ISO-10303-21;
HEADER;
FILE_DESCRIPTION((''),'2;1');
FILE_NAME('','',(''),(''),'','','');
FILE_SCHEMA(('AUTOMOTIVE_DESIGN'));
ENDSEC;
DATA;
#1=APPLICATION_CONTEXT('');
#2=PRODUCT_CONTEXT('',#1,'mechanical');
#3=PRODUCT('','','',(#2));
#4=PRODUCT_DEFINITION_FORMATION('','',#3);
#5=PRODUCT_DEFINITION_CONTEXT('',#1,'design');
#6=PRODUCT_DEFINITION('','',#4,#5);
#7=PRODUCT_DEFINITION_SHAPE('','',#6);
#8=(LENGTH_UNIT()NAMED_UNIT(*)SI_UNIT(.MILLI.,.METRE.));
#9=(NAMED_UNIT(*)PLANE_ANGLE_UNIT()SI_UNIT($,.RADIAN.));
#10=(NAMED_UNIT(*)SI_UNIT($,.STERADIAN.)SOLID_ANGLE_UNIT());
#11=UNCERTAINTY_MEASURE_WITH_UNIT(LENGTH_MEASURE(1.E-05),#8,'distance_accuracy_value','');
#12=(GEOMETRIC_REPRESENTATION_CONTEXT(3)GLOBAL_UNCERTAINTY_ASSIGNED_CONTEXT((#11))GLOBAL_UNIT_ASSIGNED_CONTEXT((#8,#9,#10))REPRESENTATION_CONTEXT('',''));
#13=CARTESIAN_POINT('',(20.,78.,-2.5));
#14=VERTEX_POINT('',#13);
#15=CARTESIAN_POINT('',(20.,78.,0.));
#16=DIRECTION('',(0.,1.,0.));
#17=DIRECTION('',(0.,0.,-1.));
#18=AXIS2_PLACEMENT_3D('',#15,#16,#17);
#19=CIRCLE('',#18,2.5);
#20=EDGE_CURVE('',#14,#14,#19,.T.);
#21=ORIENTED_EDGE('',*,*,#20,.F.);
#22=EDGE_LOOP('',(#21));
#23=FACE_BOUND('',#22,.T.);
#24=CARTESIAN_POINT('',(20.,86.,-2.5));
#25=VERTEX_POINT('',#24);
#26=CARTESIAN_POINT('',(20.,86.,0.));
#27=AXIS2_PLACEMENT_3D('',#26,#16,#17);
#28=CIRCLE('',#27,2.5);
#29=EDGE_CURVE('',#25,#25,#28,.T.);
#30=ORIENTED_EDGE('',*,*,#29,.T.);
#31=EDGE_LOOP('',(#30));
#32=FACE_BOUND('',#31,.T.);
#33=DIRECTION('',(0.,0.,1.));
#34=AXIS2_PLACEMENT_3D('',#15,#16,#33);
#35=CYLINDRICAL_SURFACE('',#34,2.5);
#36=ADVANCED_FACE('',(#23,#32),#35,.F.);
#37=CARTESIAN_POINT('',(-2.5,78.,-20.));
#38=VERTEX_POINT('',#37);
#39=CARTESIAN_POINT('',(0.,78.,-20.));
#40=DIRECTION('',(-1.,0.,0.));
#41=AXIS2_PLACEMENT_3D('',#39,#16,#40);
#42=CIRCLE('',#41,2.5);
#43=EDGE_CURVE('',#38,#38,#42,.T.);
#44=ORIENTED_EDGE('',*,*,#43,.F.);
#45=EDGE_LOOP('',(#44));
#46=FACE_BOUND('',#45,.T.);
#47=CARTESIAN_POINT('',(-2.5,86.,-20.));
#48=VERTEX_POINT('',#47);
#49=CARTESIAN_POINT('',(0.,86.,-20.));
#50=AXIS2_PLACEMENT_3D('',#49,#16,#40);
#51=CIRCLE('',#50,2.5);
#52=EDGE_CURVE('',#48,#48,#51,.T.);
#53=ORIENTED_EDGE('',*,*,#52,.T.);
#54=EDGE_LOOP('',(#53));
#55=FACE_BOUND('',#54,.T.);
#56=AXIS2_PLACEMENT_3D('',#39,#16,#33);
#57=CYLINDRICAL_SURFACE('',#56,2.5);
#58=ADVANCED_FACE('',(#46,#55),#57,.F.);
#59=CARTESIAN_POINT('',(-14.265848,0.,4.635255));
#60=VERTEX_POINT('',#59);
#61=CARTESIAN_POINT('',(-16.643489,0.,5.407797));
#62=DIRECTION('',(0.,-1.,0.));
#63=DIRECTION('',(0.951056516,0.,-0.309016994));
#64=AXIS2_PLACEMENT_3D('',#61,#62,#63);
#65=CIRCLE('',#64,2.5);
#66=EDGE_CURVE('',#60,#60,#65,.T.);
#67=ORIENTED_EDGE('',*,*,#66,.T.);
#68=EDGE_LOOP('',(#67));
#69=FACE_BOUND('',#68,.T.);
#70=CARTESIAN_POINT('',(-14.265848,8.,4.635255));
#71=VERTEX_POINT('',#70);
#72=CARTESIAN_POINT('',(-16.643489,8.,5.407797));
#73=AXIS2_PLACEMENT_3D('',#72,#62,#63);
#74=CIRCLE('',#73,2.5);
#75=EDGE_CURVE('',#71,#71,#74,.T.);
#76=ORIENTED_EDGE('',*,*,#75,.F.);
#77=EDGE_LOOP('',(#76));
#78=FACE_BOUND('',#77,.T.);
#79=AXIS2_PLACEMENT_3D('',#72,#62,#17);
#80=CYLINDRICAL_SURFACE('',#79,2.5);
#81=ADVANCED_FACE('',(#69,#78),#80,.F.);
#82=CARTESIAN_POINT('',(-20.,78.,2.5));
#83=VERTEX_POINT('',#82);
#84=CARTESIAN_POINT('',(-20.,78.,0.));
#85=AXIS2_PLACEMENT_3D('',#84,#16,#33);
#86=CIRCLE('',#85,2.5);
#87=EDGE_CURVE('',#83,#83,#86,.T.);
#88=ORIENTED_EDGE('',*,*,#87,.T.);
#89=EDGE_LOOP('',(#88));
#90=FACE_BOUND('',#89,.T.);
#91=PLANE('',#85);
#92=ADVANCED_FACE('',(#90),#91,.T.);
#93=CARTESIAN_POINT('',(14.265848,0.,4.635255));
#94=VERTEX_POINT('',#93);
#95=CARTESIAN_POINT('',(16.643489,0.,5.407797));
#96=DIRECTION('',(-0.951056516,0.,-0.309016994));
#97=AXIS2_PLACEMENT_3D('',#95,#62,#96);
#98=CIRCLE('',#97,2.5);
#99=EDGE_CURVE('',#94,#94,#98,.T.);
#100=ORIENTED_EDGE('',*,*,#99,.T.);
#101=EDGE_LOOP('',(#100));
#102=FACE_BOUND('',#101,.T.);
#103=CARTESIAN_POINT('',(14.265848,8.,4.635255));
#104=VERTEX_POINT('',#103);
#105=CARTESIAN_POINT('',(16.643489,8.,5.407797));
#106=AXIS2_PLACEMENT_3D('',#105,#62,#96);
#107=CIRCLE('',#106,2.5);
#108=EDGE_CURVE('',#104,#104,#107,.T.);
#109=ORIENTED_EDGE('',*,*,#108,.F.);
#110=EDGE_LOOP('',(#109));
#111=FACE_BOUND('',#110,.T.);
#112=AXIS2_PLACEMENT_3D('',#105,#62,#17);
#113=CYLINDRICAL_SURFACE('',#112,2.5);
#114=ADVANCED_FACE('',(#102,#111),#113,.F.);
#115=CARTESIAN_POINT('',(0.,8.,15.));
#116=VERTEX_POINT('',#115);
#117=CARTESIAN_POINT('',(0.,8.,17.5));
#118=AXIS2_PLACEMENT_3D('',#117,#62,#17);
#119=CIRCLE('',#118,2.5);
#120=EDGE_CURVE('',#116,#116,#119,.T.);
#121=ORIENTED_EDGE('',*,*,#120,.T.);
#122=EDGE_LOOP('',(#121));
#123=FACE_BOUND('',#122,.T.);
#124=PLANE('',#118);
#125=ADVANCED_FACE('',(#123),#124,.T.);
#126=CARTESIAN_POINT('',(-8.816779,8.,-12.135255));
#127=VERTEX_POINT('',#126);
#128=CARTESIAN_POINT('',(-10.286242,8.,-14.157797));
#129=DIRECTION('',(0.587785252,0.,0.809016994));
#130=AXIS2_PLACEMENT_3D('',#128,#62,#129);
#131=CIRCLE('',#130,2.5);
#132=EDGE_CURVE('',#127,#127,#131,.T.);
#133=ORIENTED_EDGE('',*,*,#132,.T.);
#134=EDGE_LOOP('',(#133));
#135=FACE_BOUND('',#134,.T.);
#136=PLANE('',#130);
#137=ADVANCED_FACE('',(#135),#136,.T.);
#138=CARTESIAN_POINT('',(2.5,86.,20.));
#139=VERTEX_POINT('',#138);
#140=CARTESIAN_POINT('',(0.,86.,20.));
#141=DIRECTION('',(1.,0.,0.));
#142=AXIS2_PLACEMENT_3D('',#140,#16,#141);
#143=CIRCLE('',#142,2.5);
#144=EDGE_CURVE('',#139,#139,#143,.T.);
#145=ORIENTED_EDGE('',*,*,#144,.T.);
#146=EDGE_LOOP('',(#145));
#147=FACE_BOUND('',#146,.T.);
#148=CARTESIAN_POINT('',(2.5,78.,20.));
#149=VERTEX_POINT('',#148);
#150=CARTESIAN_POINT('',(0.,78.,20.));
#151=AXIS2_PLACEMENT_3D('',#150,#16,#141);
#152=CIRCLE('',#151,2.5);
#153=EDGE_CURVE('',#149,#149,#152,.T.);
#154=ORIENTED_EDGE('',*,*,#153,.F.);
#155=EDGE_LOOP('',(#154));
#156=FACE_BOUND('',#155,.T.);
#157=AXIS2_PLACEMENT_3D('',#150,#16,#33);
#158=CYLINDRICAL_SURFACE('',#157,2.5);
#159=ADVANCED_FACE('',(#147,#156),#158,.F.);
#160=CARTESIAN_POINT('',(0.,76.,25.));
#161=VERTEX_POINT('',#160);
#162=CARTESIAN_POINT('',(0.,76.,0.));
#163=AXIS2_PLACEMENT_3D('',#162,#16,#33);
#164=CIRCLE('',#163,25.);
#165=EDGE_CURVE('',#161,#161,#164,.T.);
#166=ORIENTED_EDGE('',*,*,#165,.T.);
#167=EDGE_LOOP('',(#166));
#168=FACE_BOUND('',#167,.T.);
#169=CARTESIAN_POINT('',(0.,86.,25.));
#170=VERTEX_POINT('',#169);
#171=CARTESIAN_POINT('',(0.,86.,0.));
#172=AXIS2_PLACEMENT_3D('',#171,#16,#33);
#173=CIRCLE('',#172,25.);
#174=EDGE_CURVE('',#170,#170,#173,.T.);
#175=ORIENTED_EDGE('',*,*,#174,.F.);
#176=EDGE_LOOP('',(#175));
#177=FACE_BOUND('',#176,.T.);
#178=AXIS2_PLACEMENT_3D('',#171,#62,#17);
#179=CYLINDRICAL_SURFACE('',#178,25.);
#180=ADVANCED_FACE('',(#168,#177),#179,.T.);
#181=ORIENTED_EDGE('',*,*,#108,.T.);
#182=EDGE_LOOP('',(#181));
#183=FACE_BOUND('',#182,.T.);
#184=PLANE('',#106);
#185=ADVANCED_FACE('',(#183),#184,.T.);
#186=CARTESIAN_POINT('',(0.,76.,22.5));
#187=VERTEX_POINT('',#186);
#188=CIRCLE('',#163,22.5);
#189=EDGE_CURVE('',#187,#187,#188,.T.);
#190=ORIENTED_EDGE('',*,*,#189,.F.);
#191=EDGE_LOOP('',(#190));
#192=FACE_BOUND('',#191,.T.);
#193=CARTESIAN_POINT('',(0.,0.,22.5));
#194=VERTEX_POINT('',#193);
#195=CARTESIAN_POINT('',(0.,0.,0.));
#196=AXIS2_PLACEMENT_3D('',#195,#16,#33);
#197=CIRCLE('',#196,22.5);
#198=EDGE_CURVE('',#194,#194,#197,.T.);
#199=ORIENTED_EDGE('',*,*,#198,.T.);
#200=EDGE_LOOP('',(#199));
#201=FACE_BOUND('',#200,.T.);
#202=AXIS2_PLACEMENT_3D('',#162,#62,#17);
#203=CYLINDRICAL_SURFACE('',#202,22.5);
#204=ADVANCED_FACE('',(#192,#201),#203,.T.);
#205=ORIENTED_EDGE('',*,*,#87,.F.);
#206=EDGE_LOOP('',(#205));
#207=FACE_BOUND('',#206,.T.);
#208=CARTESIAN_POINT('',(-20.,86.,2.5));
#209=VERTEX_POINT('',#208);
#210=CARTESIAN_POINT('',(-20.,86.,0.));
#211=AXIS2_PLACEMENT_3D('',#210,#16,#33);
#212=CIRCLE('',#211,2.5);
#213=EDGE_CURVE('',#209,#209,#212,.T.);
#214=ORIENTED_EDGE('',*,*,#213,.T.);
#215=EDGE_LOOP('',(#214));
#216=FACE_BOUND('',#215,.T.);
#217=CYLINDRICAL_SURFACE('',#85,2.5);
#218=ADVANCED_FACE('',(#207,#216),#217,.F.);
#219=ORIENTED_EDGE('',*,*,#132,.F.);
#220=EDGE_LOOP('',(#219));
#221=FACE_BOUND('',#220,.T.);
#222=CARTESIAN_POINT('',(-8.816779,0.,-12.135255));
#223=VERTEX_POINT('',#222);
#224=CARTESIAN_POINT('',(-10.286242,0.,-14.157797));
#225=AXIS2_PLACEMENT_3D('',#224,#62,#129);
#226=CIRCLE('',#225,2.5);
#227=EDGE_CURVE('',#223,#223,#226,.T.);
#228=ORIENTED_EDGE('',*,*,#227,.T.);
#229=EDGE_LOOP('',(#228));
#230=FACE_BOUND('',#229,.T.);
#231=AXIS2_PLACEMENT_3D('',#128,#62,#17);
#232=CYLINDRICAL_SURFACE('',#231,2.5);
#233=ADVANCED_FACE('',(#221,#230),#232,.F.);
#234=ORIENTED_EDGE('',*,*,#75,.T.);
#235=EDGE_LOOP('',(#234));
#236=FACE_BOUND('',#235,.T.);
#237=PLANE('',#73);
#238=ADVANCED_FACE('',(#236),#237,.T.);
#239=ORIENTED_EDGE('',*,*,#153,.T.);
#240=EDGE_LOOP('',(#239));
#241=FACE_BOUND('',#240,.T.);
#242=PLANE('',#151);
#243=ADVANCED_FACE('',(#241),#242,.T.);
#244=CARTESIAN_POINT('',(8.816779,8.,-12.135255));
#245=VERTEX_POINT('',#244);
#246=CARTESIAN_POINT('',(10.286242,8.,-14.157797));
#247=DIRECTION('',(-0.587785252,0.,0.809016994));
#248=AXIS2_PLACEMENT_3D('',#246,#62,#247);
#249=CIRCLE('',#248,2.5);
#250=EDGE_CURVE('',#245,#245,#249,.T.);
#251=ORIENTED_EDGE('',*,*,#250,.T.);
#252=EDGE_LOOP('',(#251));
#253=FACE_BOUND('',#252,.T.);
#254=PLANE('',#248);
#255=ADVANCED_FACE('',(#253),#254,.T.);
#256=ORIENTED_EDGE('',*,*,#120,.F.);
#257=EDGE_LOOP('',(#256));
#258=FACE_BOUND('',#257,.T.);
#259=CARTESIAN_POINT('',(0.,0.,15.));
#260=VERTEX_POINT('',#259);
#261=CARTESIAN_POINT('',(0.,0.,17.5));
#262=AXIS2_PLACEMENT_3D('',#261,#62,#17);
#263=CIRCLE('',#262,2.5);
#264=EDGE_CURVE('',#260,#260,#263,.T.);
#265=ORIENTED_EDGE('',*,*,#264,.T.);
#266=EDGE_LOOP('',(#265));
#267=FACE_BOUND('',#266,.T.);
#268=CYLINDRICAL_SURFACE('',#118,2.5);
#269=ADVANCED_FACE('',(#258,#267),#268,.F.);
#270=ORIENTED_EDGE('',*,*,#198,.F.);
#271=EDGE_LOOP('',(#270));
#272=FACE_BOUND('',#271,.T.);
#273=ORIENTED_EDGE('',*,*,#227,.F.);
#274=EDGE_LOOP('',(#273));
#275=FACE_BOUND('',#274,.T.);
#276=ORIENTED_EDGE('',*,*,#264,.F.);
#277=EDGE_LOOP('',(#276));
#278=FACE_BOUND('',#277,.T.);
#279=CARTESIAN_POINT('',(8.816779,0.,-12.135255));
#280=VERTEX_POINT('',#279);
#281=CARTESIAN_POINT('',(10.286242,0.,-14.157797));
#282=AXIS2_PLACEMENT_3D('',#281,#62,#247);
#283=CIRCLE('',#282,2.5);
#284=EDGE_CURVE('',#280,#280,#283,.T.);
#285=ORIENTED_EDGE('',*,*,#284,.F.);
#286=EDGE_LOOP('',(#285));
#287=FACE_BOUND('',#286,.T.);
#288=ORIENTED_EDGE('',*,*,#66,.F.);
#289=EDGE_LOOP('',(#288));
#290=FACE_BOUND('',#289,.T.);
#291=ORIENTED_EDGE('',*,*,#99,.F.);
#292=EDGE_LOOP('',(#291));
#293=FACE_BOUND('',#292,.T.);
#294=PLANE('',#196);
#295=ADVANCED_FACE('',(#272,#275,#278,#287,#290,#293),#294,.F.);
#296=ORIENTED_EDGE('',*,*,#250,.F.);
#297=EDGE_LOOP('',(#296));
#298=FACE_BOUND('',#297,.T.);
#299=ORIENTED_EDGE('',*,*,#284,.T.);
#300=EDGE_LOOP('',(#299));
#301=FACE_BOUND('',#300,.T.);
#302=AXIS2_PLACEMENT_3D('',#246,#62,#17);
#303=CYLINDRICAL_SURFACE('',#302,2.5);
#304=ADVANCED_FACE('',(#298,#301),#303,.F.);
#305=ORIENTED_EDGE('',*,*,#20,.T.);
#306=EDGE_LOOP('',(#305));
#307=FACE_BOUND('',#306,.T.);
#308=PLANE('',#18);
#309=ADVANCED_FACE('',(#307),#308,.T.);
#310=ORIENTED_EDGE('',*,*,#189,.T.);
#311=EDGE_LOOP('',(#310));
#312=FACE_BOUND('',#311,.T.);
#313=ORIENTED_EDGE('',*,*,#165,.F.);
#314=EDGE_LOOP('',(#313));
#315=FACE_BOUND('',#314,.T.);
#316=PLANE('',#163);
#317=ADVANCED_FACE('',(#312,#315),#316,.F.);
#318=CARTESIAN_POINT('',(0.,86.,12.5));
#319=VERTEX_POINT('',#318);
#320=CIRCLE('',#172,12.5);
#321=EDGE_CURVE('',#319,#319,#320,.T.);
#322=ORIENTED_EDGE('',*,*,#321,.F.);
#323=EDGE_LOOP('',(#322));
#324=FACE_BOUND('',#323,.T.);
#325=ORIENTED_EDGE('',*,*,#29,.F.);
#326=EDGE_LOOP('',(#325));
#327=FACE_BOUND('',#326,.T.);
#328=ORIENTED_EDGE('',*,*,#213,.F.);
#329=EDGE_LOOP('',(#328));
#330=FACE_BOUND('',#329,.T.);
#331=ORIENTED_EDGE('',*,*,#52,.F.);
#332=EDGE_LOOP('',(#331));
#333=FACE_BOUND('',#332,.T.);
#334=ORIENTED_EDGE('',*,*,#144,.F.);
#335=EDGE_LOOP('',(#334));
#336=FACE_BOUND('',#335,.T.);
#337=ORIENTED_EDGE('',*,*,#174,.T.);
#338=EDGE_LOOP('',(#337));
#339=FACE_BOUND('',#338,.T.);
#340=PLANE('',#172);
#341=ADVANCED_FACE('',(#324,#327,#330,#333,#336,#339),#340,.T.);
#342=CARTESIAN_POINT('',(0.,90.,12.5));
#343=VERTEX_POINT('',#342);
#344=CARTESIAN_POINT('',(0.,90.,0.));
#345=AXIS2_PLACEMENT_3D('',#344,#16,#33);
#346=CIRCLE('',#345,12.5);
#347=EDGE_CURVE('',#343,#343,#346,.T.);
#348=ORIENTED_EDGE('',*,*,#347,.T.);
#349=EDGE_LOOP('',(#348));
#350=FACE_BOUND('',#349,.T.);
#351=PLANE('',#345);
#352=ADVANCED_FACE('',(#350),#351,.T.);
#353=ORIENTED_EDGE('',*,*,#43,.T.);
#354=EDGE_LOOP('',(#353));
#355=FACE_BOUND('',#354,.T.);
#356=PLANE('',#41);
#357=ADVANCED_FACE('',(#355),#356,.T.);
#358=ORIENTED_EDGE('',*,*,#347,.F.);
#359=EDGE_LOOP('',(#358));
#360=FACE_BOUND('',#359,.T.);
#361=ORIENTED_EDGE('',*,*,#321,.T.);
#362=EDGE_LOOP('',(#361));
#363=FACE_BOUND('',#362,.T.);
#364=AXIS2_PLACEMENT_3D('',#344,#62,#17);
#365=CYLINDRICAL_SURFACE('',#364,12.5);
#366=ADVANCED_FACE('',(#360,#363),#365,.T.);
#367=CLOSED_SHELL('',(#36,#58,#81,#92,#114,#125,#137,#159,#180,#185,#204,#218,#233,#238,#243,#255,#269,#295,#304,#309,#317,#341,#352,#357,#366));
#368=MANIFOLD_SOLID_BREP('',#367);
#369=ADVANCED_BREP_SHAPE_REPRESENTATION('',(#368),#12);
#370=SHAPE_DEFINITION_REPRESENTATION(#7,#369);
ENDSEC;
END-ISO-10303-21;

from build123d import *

# Parameters (mm, degrees)
SKETCH1_R           = 22.5
BOSS_EXTRUDE1_DEPTH = 76
SKETCH2_R           = 25
BOSS_EXTRUDE2_DEPTH = 10
SKETCH3_R           = 12.5
BOSS_EXTRUDE3_DEPTH = 4
SKETCH4_R           = 2.5
CUT_EXTRUDE1_DEPTH  = 8
CIRPATTERN1_COUNT   = 4
SKETCH5_R           = 2.5
CUT_EXTRUDE2_DEPTH  = 8
CIRPATTERN2_COUNT   = 5


with BuildPart() as part:
    # Sketch1 → Boss-Extrude1 (new body)
    with BuildSketch(Plane(origin=(0, 0, 0), x_dir=(1, 0, 0), z_dir=(0, 1, 0))):
        with Locations(Location((0, 0, 0), (0, 0, 270))):
            Circle(SKETCH1_R)
    extrude(amount=BOSS_EXTRUDE1_DEPTH)

    # Sketch2 → Boss-Extrude2 (add)
    with BuildSketch(Plane(origin=(0, 76, 0), x_dir=(1, 0, 0), z_dir=(0, 1, 0))):
        with Locations(Location((0, 0, 0), (0, 0, 270))):
            Circle(SKETCH2_R)
    extrude(amount=BOSS_EXTRUDE2_DEPTH)

    # Sketch3 → Boss-Extrude3 (add)
    with BuildSketch(Plane(origin=(0, 86, 0), x_dir=(1, 0, 0), z_dir=(0, 1, 0))):
        with Locations(Location((0, 0, 0), (0, 0, 270))):
            Circle(SKETCH3_R)
    extrude(amount=BOSS_EXTRUDE3_DEPTH)

    # Sketch4 → Cut-Extrude1 (cut)
    with BuildSketch(Plane(origin=(0, 86, 0), x_dir=(1, 0, 0), z_dir=(0, 1, 0))):
        with Locations(Location((-20, 0, 0), (0, 0, 270))):
            Circle(SKETCH4_R)
    cut_extrude1 = extrude(amount=-CUT_EXTRUDE1_DEPTH, mode=Mode.SUBTRACT)

    # CirPattern1: Cut-Extrude1 ×4 about axis
    cirpattern1_axis = Axis((0, 0, 0), (0, 1, 0))
    for i in range(1, CIRPATTERN1_COUNT):
        add(cut_extrude1.rotate(cirpattern1_axis, i * 360 / CIRPATTERN1_COUNT), mode=Mode.SUBTRACT)

    # Sketch5 → Cut-Extrude2 (cut)
    with BuildSketch(Plane.XZ):
        with Locations(Location((0, 17.5, 0), (0, 0, 270))):
            Circle(SKETCH5_R)
    cut_extrude2 = extrude(amount=-CUT_EXTRUDE2_DEPTH, mode=Mode.SUBTRACT)

    # CirPattern2: Cut-Extrude2 ×5 about axis
    cirpattern2_axis = Axis((0, 0, 0), (0, 1, 0))
    for i in range(1, CIRPATTERN2_COUNT):
        add(cut_extrude2.rotate(cirpattern2_axis, i * 360 / CIRPATTERN2_COUNT), mode=Mode.SUBTRACT)


solid = part.part
